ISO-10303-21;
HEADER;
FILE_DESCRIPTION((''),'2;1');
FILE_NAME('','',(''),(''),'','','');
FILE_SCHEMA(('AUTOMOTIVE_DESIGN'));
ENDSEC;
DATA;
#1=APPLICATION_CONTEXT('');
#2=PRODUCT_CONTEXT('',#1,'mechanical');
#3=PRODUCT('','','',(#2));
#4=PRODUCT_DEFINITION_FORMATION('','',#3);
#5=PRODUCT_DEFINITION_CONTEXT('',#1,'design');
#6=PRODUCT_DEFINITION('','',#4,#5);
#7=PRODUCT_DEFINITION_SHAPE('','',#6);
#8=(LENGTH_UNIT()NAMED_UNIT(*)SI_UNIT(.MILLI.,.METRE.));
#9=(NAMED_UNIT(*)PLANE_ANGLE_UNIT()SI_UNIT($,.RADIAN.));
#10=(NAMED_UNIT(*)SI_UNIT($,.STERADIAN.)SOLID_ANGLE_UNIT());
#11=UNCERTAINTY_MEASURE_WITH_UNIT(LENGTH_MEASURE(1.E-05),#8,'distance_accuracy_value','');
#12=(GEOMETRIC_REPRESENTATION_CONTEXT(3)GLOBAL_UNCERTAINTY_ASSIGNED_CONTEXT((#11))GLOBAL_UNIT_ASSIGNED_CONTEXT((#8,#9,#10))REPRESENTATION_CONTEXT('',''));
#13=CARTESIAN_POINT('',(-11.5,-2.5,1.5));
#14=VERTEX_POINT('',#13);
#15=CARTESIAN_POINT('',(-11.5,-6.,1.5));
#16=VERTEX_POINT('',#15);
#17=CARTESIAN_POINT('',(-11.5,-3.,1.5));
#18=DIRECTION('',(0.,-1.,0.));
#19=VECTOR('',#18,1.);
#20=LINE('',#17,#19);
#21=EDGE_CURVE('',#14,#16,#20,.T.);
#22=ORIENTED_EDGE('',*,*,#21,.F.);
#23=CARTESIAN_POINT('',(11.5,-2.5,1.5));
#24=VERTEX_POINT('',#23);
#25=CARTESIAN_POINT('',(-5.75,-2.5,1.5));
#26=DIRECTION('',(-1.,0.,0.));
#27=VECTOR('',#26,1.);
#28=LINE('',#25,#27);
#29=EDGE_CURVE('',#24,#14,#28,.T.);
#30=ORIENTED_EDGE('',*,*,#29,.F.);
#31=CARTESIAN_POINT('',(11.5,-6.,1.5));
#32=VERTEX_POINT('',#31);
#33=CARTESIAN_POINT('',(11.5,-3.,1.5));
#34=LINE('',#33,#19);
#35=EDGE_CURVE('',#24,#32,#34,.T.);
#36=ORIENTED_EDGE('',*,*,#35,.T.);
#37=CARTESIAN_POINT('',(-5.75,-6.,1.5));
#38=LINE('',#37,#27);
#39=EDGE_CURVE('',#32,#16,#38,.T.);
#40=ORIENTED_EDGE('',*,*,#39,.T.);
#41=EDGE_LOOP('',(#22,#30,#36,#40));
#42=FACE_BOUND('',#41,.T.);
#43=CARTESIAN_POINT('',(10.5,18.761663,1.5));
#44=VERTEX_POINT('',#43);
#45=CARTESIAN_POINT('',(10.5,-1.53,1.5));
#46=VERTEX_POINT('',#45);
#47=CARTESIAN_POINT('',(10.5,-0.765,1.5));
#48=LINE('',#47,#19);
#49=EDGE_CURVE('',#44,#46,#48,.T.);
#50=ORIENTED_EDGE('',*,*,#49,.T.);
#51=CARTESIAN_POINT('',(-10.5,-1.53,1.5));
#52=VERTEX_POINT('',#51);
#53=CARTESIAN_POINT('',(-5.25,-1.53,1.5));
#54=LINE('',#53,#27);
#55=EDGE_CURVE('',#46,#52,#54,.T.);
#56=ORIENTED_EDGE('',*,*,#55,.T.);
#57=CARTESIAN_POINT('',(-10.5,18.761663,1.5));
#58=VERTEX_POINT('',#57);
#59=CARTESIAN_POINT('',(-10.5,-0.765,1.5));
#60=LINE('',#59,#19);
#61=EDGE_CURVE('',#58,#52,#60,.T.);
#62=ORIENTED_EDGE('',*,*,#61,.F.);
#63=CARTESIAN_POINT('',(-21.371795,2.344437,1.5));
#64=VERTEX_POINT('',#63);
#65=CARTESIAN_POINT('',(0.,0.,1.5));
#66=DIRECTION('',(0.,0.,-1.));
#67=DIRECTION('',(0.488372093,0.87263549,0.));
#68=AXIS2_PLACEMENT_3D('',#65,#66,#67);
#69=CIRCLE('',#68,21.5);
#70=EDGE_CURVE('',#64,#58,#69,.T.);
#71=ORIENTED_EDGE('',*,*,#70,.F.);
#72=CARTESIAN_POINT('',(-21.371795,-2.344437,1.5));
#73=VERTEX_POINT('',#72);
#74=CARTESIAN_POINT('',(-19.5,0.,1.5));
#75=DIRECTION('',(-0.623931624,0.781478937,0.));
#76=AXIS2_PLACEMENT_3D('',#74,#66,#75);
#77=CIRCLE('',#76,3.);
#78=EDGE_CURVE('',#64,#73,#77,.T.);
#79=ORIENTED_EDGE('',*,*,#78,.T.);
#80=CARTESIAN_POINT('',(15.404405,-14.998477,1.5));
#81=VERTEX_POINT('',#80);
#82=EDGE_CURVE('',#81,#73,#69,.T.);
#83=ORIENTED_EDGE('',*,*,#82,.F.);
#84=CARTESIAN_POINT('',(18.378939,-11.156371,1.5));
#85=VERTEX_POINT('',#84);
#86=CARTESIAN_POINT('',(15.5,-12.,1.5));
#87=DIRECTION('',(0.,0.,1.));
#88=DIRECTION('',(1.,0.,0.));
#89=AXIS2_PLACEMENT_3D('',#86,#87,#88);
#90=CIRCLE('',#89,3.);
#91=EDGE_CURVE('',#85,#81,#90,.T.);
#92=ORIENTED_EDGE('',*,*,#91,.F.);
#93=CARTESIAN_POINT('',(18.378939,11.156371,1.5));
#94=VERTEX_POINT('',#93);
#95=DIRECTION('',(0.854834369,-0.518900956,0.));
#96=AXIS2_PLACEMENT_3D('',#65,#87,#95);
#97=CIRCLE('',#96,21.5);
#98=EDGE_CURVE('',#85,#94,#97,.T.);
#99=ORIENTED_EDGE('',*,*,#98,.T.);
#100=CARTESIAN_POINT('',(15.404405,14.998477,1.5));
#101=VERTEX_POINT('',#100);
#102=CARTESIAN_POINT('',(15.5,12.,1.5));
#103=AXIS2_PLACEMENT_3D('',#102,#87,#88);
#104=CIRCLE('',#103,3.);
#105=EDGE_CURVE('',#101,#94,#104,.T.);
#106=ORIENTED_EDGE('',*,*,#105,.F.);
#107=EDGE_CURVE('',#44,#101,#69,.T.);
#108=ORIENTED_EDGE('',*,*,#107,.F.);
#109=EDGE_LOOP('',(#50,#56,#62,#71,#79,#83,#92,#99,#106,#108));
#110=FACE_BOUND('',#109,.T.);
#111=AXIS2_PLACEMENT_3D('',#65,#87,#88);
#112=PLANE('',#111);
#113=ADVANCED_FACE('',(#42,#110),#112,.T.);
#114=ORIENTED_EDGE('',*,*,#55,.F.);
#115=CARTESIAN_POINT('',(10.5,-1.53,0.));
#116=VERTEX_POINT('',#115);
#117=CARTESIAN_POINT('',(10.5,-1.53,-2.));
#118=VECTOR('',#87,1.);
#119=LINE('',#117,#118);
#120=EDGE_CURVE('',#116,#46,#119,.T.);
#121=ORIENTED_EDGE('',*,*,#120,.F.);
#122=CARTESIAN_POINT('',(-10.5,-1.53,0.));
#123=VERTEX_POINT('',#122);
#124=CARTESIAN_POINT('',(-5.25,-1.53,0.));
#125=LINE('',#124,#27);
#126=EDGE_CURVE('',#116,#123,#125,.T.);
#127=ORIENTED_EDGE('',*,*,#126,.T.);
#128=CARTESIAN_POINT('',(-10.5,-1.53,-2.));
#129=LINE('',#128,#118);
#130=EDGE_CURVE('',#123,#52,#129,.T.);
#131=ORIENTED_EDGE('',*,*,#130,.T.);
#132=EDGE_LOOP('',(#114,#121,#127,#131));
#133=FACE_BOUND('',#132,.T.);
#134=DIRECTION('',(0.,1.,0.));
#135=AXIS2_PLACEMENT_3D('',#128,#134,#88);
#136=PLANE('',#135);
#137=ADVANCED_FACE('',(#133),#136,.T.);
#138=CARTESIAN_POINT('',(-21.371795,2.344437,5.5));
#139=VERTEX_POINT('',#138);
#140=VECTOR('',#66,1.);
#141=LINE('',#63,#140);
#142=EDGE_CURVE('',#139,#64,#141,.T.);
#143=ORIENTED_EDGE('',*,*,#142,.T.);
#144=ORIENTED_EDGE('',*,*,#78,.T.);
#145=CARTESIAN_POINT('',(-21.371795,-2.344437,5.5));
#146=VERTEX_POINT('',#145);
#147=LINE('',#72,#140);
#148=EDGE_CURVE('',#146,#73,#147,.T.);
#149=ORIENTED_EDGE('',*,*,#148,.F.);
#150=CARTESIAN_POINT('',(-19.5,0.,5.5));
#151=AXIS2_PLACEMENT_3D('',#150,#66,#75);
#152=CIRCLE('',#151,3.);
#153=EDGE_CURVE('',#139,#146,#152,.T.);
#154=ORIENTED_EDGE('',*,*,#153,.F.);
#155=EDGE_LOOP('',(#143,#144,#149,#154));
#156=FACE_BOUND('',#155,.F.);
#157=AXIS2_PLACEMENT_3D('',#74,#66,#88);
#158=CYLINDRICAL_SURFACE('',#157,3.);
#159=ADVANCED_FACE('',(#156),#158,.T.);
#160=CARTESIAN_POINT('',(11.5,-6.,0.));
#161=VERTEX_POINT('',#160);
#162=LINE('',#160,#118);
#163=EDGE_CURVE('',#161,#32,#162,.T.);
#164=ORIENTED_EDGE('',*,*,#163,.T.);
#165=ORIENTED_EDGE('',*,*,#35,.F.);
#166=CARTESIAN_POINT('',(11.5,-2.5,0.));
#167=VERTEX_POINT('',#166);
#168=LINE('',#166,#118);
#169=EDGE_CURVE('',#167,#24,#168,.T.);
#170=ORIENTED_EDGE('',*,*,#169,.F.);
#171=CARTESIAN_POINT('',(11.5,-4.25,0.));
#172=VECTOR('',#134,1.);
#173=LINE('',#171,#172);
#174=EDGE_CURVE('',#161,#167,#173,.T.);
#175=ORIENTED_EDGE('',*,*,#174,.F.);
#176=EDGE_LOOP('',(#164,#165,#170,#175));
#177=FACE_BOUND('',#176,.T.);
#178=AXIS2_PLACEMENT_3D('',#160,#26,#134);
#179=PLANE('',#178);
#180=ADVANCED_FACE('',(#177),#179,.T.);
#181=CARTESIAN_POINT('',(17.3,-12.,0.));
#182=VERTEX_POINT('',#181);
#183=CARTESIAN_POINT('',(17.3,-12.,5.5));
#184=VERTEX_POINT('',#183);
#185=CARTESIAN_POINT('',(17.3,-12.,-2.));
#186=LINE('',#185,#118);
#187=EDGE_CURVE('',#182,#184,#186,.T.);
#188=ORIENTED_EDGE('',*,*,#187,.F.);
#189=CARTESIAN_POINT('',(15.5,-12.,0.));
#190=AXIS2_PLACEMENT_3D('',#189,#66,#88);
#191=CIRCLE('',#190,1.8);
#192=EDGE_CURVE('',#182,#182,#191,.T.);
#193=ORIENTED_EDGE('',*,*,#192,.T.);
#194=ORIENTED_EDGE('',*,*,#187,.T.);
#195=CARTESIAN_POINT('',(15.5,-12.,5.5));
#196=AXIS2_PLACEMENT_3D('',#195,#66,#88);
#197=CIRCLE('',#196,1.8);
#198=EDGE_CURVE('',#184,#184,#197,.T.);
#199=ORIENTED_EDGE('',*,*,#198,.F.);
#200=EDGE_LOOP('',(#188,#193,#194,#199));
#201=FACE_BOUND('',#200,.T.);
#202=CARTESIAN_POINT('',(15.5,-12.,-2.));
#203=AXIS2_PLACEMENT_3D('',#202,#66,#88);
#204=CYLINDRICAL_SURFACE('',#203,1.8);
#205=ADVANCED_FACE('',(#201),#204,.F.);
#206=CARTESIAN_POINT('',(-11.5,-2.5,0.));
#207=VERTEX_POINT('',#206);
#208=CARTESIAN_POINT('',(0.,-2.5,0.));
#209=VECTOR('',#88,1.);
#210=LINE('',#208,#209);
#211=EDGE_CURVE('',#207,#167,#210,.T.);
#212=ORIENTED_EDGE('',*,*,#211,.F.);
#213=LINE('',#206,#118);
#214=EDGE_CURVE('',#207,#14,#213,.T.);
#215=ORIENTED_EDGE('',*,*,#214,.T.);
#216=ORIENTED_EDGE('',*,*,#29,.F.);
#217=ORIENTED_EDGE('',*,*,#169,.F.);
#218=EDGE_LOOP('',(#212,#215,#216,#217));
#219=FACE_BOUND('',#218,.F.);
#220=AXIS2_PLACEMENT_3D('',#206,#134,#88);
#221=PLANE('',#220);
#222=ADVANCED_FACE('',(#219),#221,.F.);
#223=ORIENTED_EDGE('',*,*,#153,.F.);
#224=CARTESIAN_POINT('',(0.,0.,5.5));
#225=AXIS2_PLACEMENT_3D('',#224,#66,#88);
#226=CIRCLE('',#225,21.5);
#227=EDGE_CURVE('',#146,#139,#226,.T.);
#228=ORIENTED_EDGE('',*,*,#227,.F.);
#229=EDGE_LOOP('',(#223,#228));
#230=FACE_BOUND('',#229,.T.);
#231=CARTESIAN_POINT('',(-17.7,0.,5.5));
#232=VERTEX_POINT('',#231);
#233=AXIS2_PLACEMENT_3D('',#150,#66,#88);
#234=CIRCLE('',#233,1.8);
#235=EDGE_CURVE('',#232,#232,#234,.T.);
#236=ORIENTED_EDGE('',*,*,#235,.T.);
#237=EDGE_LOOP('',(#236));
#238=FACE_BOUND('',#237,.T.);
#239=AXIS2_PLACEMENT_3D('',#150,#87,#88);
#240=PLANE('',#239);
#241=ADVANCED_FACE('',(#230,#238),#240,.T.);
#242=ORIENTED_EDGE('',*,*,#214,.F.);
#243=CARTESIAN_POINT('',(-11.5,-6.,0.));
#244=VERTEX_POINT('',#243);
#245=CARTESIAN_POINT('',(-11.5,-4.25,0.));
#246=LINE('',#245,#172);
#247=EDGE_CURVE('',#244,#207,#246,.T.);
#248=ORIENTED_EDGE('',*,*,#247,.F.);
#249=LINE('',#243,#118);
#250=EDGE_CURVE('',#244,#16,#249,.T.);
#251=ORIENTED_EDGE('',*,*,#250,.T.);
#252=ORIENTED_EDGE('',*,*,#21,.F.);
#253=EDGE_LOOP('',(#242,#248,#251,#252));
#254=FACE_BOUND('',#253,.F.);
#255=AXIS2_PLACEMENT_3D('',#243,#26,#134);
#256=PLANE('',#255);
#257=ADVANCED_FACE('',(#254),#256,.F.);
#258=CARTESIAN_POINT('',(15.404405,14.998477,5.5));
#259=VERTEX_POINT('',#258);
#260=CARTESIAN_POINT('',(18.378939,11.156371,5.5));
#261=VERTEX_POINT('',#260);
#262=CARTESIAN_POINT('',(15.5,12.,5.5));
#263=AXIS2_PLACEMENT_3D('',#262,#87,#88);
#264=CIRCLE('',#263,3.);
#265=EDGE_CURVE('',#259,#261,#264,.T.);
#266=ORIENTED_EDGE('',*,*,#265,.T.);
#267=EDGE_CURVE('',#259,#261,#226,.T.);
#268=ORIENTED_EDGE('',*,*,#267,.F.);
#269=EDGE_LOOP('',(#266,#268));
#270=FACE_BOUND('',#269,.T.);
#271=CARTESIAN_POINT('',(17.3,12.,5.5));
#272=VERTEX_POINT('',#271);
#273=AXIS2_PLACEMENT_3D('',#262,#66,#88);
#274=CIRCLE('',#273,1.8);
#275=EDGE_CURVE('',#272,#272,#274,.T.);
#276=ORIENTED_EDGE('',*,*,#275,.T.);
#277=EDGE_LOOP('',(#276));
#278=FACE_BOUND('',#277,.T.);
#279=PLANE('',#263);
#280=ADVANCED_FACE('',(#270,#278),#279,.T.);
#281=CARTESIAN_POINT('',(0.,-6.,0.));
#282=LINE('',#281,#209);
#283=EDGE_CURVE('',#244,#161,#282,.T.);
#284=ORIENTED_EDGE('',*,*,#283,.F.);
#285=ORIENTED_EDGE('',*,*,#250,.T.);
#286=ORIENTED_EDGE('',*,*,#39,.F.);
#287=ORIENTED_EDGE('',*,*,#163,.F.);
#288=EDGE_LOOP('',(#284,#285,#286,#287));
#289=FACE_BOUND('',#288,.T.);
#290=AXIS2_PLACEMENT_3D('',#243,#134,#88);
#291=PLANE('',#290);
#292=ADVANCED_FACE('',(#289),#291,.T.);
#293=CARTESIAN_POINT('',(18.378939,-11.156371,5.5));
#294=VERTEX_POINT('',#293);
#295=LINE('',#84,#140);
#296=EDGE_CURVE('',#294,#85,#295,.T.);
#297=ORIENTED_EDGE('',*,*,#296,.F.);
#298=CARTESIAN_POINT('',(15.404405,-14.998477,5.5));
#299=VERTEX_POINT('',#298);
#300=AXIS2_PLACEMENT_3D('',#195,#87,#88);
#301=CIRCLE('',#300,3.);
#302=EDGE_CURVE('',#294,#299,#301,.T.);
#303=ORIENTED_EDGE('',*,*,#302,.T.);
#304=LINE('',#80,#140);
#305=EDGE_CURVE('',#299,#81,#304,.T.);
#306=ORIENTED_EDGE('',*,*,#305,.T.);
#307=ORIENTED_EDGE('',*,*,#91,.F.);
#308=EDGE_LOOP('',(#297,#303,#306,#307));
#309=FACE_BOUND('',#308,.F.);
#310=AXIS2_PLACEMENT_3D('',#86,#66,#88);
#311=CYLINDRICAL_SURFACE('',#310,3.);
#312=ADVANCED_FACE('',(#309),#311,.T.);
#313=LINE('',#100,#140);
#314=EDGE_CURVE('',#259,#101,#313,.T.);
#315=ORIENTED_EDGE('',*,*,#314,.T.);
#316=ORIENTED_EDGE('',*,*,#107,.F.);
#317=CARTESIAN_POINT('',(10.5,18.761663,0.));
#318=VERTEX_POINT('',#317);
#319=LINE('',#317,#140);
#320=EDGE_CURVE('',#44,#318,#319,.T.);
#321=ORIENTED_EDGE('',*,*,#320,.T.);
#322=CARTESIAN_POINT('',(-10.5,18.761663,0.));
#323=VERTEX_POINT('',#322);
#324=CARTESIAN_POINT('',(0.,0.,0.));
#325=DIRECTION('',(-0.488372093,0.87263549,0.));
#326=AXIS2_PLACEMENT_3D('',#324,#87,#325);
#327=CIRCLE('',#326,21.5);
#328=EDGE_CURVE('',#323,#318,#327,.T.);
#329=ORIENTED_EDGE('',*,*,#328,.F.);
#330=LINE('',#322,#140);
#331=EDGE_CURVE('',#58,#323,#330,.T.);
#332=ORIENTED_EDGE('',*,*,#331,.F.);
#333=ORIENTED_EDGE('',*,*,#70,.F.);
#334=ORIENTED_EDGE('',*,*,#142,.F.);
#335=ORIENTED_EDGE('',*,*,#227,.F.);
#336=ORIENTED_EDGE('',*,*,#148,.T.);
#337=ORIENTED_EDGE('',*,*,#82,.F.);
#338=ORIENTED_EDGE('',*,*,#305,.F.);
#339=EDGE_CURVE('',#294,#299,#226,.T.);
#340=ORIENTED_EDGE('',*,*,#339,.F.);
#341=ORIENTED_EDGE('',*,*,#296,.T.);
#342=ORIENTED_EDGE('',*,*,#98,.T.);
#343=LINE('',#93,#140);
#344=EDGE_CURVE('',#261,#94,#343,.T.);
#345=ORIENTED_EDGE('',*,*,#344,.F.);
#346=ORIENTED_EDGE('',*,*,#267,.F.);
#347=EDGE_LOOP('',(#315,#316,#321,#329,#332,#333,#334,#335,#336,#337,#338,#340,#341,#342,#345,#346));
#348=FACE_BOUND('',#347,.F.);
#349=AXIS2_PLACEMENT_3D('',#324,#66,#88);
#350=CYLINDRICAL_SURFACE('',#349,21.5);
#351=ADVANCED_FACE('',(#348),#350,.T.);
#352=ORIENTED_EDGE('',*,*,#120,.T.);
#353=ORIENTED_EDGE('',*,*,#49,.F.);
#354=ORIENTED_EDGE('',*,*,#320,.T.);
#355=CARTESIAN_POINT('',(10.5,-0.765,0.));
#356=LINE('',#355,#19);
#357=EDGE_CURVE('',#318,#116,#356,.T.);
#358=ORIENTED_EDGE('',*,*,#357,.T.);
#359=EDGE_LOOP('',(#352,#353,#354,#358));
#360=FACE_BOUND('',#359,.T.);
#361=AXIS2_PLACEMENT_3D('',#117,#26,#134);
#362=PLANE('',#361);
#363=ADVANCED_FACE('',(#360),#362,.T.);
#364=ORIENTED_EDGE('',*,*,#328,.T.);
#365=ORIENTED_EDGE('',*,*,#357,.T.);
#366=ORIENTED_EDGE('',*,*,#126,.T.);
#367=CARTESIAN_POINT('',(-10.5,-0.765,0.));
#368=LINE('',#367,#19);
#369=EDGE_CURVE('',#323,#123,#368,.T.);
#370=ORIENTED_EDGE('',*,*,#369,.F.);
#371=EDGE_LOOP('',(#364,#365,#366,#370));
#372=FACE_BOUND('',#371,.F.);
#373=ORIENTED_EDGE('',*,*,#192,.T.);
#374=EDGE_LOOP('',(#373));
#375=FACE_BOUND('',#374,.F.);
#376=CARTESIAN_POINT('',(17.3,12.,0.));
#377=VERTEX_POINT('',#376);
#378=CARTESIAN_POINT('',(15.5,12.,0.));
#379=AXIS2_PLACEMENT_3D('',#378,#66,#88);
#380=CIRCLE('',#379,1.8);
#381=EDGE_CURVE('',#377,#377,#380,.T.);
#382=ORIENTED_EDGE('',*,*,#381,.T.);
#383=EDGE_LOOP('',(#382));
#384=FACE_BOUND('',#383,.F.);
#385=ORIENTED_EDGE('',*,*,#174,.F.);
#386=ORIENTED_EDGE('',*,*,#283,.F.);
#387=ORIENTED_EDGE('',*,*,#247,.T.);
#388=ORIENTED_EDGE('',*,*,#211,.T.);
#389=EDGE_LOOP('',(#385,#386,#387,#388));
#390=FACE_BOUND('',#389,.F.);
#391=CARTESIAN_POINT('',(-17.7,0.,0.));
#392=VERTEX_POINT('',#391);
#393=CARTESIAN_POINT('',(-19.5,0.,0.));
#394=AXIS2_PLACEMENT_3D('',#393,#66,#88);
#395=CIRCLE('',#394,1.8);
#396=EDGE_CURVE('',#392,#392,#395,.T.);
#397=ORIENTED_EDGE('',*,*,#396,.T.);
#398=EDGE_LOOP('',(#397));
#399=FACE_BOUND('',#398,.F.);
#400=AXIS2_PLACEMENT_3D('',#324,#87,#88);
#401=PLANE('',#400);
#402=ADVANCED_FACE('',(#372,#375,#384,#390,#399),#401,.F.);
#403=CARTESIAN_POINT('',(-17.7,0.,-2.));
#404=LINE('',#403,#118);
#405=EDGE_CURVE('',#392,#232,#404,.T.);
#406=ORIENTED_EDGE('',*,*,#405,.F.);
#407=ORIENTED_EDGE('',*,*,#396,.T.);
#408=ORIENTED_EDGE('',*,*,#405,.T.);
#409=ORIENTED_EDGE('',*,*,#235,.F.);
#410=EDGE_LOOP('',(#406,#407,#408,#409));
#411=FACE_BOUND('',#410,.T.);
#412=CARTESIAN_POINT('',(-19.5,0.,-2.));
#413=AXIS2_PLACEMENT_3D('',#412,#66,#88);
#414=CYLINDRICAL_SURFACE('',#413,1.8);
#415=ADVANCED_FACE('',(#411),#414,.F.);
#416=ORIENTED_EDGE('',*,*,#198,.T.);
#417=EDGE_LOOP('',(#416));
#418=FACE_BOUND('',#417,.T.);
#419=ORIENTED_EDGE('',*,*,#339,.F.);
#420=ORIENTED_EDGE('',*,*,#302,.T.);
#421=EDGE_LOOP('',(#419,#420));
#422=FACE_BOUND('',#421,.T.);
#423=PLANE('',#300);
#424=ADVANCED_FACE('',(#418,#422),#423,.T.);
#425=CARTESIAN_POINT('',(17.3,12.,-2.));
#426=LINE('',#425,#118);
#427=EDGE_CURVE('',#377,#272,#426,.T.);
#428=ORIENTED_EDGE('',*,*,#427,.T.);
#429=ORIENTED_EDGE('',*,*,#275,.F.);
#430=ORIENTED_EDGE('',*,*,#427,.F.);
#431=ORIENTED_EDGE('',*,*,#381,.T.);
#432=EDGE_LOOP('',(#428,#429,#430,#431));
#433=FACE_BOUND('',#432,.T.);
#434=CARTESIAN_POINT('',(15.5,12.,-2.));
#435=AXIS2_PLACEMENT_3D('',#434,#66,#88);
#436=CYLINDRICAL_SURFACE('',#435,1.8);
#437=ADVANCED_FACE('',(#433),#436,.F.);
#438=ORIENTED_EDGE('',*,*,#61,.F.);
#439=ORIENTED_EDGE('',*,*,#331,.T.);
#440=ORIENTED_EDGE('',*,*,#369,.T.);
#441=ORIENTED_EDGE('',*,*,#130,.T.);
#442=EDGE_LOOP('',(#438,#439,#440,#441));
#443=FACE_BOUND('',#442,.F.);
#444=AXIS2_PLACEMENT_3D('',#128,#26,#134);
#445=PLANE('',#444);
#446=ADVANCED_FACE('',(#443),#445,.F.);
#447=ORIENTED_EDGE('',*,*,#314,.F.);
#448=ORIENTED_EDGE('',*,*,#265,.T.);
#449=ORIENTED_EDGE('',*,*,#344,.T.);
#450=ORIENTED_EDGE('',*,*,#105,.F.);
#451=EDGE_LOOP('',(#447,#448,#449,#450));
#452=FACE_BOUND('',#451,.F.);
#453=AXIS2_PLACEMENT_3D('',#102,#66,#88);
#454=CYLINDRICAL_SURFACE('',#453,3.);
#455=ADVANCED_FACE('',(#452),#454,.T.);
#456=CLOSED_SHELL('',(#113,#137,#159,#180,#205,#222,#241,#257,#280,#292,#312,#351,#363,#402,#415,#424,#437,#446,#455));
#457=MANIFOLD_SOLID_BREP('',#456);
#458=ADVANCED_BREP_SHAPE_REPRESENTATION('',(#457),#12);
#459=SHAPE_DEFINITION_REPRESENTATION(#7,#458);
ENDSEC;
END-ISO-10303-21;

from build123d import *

# Parameters (mm, degrees)
CYLINDER007_R     = 21.5
CYLINDER007_DEPTH = 10
BOX002_W          = 50
BOX002_H          = 50
BOX002_DEPTH      = 10
CYLINDER006_R     = 1.8
CYLINDER006_DEPTH = 10
CYLINDER005_R     = 3
CYLINDER005_DEPTH = 4
CYLINDER004_R     = 1.8
CYLINDER004_DEPTH = 10
CYLINDER003_R     = 3
CYLINDER003_DEPTH = 4
CYLINDER002_R     = 1.8
CYLINDER002_DEPTH = 10
CYLINDER001_R     = 3
CYLINDER001_DEPTH = 4
BOX001_W          = 23
BOX001_H          = 3.5
BOX001_DEPTH      = 2
BOX_W             = 21
BOX_H             = 25
BOX_DEPTH         = 5
CYLINDER_R        = 21.5
CYLINDER_DEPTH    = 1.5


with BuildPart() as cylinder007:
    # Cylinder007 → Cylinder007 (new body)
    with BuildSketch(Plane.XY):
        Circle(CYLINDER007_R)
    extrude(amount=CYLINDER007_DEPTH)


with BuildPart() as cut005:
    # Box002 → Box002 (new body)
    with BuildSketch(Plane(origin=(-25, -25, 0), x_dir=(1, 0, 0), z_dir=(0, 0, 1))):
        with Locations((25, 25)):
            Rectangle(BOX002_W, BOX002_H)
    extrude(amount=BOX002_DEPTH)

    # Cut005: cut Cylinder007
    add(cylinder007.part, mode=Mode.SUBTRACT)


with BuildPart() as cylinder006:
    # Cylinder006 → Cylinder006 (new body)
    with BuildSketch(Plane(origin=(15.5, 12, -2), x_dir=(1, 0, 0), z_dir=(0, 0, 1))):
        Circle(CYLINDER006_R)
    extrude(amount=CYLINDER006_DEPTH)


with BuildPart() as cylinder005:
    # Cylinder005 → Cylinder005 (new body)
    with BuildSketch(Plane(origin=(15.5, 12, 1.5), x_dir=(1, 0, 0), z_dir=(0, 0, 1))):
        Circle(CYLINDER005_R)
    extrude(amount=CYLINDER005_DEPTH)


with BuildPart() as cylinder004:
    # Cylinder004 → Cylinder004 (new body)
    with BuildSketch(Plane(origin=(15.5, -12, -2), x_dir=(1, 0, 0), z_dir=(0, 0, 1))):
        Circle(CYLINDER004_R)
    extrude(amount=CYLINDER004_DEPTH)


with BuildPart() as cylinder003:
    # Cylinder003 → Cylinder003 (new body)
    with BuildSketch(Plane(origin=(15.5, -12, 1.5), x_dir=(1, 0, 0), z_dir=(0, 0, 1))):
        Circle(CYLINDER003_R)
    extrude(amount=CYLINDER003_DEPTH)


with BuildPart() as cylinder002:
    # Cylinder002 → Cylinder002 (new body)
    with BuildSketch(Plane(origin=(-19.5, 0, -2), x_dir=(1, 0, 0), z_dir=(0, 0, 1))):
        Circle(CYLINDER002_R)
    extrude(amount=CYLINDER002_DEPTH)


with BuildPart() as cylinder001:
    # Cylinder001 → Cylinder001 (new body)
    with BuildSketch(Plane(origin=(-19.5, 0, 1.5), x_dir=(1, 0, 0), z_dir=(0, 0, 1))):
        Circle(CYLINDER001_R)
    extrude(amount=CYLINDER001_DEPTH)


with BuildPart() as box001:
    # Box001 → Box001 (new body)
    with BuildSketch(Plane(origin=(-11.5, -6, 0), x_dir=(1, 0, 0), z_dir=(0, 0, 1))):
        with Locations((11.5, 1.75)):
            Rectangle(BOX001_W, BOX001_H)
    extrude(amount=BOX001_DEPTH)


with BuildPart() as box:
    # Box → Box (new body)
    with BuildSketch(Plane(origin=(-10.5, -1.53, -2), x_dir=(1, 0, 0), z_dir=(0, 0, 1))):
        with Locations((10.5, 12.5)):
            Rectangle(BOX_W, BOX_H)
    extrude(amount=BOX_DEPTH)


with BuildPart() as cut006:
    # Cylinder → Cylinder (new body)
    with BuildSketch(Plane.XY):
        Circle(CYLINDER_R)
    extrude(amount=CYLINDER_DEPTH)

    # Cut: cut Box
    add(box.part, mode=Mode.SUBTRACT)

    # Cut001: cut Box001
    add(box001.part, mode=Mode.SUBTRACT)

    # Fusion: union Cylinder001
    add(cylinder001.part)

    # Cut002: cut Cylinder002
    add(cylinder002.part, mode=Mode.SUBTRACT)

    # Fusion001: union Cylinder003
    add(cylinder003.part)

    # Cut003: cut Cylinder004
    add(cylinder004.part, mode=Mode.SUBTRACT)

    # Fusion002: union Cylinder005
    add(cylinder005.part)

    # Cut004: cut Cylinder006
    add(cylinder006.part, mode=Mode.SUBTRACT)

    # Cut006: cut Cut005
    add(cut005.part, mode=Mode.SUBTRACT)


solid = cut006.part
